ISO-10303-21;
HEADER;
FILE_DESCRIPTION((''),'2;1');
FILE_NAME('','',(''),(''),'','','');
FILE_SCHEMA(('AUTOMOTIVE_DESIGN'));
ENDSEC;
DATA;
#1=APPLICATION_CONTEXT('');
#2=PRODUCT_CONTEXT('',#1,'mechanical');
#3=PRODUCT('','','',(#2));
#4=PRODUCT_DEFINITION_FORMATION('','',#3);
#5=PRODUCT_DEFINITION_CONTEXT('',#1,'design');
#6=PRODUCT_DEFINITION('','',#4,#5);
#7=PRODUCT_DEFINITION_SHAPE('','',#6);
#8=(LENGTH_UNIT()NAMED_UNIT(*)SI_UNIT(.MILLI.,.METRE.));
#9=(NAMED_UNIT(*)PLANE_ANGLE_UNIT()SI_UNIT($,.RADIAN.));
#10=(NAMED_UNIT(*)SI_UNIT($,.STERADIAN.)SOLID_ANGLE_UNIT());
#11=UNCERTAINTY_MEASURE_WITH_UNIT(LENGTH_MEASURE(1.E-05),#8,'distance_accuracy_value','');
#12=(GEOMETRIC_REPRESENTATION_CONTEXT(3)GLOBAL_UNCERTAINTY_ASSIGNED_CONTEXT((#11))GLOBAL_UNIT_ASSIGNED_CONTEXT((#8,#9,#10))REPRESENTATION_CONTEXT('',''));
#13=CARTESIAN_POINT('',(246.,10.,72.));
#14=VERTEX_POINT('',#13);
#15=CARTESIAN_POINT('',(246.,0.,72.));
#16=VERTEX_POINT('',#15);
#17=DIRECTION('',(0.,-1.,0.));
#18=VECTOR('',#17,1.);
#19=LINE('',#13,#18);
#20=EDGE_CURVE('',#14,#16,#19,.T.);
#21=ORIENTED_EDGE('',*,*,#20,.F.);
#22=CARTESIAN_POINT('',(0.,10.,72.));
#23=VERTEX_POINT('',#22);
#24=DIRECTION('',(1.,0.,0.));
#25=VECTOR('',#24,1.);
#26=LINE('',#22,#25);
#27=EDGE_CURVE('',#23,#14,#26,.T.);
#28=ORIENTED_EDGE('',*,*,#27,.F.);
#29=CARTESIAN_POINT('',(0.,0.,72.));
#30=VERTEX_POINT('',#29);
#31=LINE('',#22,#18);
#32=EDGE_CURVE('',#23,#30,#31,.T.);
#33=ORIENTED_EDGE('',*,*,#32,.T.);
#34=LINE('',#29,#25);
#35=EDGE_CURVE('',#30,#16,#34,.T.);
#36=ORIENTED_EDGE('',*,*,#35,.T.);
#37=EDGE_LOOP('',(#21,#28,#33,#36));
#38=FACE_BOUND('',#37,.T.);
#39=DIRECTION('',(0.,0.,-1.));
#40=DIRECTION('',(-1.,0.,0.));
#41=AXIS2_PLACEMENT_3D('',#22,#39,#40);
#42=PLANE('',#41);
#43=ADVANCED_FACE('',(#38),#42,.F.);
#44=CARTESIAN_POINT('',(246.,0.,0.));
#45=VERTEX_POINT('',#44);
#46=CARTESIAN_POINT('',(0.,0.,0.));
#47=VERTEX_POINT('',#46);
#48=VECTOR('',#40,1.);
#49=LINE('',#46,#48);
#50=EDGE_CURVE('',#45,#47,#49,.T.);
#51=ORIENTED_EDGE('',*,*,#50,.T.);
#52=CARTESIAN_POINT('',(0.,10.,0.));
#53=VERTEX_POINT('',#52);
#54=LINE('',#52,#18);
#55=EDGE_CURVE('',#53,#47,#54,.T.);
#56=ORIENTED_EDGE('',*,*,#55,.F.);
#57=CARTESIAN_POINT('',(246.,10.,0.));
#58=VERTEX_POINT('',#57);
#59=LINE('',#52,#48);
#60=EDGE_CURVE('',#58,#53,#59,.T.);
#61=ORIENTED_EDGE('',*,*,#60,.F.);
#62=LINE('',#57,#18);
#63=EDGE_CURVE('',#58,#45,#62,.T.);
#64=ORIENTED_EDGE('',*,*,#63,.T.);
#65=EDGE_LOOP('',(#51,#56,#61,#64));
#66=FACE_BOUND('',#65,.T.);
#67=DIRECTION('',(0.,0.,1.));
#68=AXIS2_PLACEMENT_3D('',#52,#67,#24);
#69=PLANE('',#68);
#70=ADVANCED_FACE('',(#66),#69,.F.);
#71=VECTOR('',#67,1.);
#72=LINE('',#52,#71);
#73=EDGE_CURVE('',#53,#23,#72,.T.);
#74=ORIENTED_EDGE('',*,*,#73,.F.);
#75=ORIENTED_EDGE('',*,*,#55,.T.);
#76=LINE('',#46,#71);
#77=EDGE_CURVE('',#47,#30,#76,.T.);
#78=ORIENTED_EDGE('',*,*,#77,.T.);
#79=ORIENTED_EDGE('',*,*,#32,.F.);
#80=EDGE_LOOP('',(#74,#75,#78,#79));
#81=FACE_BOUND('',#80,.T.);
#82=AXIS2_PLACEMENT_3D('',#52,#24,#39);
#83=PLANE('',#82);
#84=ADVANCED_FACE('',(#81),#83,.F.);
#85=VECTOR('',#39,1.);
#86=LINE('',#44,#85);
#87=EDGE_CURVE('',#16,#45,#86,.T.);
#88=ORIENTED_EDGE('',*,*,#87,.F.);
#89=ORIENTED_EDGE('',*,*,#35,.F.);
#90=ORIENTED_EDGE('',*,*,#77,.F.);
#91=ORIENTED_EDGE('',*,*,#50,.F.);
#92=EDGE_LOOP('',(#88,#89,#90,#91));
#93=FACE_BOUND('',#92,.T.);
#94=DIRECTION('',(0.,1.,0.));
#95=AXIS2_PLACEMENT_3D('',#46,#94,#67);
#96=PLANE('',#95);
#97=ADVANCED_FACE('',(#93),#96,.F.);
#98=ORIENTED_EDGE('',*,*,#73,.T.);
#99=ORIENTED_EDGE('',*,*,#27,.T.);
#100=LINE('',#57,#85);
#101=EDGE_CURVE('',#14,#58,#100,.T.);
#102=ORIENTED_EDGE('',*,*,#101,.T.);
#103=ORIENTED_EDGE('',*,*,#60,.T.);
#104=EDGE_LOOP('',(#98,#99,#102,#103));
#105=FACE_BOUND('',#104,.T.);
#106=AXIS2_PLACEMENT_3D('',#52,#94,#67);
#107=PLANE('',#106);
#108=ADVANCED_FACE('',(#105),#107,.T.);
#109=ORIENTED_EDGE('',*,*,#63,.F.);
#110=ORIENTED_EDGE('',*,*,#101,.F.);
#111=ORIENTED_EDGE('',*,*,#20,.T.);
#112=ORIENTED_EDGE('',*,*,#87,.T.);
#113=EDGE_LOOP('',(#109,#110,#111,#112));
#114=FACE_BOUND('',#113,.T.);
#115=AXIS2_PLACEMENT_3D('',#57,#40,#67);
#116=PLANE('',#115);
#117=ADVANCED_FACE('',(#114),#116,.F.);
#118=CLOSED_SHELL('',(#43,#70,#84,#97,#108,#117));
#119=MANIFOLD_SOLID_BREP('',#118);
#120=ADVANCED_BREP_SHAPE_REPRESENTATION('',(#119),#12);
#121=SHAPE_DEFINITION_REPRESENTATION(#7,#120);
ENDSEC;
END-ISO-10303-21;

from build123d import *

# Parameters (mm, degrees)
SKETCH_1_W      = 246
SKETCH_1_H      = 72
EXTRUDE_1_DEPTH = 10


with BuildPart() as part:
    # 草图1 → 凸台-拉伸1 (new body)
    with BuildSketch(Plane(origin=(0, 0, 0), x_dir=(1, 0, 0), z_dir=(0, 1, 0))):
        with Locations((123, -36)):
            Rectangle(SKETCH_1_W, SKETCH_1_H)
    extrude(amount=EXTRUDE_1_DEPTH)


solid = part.part
